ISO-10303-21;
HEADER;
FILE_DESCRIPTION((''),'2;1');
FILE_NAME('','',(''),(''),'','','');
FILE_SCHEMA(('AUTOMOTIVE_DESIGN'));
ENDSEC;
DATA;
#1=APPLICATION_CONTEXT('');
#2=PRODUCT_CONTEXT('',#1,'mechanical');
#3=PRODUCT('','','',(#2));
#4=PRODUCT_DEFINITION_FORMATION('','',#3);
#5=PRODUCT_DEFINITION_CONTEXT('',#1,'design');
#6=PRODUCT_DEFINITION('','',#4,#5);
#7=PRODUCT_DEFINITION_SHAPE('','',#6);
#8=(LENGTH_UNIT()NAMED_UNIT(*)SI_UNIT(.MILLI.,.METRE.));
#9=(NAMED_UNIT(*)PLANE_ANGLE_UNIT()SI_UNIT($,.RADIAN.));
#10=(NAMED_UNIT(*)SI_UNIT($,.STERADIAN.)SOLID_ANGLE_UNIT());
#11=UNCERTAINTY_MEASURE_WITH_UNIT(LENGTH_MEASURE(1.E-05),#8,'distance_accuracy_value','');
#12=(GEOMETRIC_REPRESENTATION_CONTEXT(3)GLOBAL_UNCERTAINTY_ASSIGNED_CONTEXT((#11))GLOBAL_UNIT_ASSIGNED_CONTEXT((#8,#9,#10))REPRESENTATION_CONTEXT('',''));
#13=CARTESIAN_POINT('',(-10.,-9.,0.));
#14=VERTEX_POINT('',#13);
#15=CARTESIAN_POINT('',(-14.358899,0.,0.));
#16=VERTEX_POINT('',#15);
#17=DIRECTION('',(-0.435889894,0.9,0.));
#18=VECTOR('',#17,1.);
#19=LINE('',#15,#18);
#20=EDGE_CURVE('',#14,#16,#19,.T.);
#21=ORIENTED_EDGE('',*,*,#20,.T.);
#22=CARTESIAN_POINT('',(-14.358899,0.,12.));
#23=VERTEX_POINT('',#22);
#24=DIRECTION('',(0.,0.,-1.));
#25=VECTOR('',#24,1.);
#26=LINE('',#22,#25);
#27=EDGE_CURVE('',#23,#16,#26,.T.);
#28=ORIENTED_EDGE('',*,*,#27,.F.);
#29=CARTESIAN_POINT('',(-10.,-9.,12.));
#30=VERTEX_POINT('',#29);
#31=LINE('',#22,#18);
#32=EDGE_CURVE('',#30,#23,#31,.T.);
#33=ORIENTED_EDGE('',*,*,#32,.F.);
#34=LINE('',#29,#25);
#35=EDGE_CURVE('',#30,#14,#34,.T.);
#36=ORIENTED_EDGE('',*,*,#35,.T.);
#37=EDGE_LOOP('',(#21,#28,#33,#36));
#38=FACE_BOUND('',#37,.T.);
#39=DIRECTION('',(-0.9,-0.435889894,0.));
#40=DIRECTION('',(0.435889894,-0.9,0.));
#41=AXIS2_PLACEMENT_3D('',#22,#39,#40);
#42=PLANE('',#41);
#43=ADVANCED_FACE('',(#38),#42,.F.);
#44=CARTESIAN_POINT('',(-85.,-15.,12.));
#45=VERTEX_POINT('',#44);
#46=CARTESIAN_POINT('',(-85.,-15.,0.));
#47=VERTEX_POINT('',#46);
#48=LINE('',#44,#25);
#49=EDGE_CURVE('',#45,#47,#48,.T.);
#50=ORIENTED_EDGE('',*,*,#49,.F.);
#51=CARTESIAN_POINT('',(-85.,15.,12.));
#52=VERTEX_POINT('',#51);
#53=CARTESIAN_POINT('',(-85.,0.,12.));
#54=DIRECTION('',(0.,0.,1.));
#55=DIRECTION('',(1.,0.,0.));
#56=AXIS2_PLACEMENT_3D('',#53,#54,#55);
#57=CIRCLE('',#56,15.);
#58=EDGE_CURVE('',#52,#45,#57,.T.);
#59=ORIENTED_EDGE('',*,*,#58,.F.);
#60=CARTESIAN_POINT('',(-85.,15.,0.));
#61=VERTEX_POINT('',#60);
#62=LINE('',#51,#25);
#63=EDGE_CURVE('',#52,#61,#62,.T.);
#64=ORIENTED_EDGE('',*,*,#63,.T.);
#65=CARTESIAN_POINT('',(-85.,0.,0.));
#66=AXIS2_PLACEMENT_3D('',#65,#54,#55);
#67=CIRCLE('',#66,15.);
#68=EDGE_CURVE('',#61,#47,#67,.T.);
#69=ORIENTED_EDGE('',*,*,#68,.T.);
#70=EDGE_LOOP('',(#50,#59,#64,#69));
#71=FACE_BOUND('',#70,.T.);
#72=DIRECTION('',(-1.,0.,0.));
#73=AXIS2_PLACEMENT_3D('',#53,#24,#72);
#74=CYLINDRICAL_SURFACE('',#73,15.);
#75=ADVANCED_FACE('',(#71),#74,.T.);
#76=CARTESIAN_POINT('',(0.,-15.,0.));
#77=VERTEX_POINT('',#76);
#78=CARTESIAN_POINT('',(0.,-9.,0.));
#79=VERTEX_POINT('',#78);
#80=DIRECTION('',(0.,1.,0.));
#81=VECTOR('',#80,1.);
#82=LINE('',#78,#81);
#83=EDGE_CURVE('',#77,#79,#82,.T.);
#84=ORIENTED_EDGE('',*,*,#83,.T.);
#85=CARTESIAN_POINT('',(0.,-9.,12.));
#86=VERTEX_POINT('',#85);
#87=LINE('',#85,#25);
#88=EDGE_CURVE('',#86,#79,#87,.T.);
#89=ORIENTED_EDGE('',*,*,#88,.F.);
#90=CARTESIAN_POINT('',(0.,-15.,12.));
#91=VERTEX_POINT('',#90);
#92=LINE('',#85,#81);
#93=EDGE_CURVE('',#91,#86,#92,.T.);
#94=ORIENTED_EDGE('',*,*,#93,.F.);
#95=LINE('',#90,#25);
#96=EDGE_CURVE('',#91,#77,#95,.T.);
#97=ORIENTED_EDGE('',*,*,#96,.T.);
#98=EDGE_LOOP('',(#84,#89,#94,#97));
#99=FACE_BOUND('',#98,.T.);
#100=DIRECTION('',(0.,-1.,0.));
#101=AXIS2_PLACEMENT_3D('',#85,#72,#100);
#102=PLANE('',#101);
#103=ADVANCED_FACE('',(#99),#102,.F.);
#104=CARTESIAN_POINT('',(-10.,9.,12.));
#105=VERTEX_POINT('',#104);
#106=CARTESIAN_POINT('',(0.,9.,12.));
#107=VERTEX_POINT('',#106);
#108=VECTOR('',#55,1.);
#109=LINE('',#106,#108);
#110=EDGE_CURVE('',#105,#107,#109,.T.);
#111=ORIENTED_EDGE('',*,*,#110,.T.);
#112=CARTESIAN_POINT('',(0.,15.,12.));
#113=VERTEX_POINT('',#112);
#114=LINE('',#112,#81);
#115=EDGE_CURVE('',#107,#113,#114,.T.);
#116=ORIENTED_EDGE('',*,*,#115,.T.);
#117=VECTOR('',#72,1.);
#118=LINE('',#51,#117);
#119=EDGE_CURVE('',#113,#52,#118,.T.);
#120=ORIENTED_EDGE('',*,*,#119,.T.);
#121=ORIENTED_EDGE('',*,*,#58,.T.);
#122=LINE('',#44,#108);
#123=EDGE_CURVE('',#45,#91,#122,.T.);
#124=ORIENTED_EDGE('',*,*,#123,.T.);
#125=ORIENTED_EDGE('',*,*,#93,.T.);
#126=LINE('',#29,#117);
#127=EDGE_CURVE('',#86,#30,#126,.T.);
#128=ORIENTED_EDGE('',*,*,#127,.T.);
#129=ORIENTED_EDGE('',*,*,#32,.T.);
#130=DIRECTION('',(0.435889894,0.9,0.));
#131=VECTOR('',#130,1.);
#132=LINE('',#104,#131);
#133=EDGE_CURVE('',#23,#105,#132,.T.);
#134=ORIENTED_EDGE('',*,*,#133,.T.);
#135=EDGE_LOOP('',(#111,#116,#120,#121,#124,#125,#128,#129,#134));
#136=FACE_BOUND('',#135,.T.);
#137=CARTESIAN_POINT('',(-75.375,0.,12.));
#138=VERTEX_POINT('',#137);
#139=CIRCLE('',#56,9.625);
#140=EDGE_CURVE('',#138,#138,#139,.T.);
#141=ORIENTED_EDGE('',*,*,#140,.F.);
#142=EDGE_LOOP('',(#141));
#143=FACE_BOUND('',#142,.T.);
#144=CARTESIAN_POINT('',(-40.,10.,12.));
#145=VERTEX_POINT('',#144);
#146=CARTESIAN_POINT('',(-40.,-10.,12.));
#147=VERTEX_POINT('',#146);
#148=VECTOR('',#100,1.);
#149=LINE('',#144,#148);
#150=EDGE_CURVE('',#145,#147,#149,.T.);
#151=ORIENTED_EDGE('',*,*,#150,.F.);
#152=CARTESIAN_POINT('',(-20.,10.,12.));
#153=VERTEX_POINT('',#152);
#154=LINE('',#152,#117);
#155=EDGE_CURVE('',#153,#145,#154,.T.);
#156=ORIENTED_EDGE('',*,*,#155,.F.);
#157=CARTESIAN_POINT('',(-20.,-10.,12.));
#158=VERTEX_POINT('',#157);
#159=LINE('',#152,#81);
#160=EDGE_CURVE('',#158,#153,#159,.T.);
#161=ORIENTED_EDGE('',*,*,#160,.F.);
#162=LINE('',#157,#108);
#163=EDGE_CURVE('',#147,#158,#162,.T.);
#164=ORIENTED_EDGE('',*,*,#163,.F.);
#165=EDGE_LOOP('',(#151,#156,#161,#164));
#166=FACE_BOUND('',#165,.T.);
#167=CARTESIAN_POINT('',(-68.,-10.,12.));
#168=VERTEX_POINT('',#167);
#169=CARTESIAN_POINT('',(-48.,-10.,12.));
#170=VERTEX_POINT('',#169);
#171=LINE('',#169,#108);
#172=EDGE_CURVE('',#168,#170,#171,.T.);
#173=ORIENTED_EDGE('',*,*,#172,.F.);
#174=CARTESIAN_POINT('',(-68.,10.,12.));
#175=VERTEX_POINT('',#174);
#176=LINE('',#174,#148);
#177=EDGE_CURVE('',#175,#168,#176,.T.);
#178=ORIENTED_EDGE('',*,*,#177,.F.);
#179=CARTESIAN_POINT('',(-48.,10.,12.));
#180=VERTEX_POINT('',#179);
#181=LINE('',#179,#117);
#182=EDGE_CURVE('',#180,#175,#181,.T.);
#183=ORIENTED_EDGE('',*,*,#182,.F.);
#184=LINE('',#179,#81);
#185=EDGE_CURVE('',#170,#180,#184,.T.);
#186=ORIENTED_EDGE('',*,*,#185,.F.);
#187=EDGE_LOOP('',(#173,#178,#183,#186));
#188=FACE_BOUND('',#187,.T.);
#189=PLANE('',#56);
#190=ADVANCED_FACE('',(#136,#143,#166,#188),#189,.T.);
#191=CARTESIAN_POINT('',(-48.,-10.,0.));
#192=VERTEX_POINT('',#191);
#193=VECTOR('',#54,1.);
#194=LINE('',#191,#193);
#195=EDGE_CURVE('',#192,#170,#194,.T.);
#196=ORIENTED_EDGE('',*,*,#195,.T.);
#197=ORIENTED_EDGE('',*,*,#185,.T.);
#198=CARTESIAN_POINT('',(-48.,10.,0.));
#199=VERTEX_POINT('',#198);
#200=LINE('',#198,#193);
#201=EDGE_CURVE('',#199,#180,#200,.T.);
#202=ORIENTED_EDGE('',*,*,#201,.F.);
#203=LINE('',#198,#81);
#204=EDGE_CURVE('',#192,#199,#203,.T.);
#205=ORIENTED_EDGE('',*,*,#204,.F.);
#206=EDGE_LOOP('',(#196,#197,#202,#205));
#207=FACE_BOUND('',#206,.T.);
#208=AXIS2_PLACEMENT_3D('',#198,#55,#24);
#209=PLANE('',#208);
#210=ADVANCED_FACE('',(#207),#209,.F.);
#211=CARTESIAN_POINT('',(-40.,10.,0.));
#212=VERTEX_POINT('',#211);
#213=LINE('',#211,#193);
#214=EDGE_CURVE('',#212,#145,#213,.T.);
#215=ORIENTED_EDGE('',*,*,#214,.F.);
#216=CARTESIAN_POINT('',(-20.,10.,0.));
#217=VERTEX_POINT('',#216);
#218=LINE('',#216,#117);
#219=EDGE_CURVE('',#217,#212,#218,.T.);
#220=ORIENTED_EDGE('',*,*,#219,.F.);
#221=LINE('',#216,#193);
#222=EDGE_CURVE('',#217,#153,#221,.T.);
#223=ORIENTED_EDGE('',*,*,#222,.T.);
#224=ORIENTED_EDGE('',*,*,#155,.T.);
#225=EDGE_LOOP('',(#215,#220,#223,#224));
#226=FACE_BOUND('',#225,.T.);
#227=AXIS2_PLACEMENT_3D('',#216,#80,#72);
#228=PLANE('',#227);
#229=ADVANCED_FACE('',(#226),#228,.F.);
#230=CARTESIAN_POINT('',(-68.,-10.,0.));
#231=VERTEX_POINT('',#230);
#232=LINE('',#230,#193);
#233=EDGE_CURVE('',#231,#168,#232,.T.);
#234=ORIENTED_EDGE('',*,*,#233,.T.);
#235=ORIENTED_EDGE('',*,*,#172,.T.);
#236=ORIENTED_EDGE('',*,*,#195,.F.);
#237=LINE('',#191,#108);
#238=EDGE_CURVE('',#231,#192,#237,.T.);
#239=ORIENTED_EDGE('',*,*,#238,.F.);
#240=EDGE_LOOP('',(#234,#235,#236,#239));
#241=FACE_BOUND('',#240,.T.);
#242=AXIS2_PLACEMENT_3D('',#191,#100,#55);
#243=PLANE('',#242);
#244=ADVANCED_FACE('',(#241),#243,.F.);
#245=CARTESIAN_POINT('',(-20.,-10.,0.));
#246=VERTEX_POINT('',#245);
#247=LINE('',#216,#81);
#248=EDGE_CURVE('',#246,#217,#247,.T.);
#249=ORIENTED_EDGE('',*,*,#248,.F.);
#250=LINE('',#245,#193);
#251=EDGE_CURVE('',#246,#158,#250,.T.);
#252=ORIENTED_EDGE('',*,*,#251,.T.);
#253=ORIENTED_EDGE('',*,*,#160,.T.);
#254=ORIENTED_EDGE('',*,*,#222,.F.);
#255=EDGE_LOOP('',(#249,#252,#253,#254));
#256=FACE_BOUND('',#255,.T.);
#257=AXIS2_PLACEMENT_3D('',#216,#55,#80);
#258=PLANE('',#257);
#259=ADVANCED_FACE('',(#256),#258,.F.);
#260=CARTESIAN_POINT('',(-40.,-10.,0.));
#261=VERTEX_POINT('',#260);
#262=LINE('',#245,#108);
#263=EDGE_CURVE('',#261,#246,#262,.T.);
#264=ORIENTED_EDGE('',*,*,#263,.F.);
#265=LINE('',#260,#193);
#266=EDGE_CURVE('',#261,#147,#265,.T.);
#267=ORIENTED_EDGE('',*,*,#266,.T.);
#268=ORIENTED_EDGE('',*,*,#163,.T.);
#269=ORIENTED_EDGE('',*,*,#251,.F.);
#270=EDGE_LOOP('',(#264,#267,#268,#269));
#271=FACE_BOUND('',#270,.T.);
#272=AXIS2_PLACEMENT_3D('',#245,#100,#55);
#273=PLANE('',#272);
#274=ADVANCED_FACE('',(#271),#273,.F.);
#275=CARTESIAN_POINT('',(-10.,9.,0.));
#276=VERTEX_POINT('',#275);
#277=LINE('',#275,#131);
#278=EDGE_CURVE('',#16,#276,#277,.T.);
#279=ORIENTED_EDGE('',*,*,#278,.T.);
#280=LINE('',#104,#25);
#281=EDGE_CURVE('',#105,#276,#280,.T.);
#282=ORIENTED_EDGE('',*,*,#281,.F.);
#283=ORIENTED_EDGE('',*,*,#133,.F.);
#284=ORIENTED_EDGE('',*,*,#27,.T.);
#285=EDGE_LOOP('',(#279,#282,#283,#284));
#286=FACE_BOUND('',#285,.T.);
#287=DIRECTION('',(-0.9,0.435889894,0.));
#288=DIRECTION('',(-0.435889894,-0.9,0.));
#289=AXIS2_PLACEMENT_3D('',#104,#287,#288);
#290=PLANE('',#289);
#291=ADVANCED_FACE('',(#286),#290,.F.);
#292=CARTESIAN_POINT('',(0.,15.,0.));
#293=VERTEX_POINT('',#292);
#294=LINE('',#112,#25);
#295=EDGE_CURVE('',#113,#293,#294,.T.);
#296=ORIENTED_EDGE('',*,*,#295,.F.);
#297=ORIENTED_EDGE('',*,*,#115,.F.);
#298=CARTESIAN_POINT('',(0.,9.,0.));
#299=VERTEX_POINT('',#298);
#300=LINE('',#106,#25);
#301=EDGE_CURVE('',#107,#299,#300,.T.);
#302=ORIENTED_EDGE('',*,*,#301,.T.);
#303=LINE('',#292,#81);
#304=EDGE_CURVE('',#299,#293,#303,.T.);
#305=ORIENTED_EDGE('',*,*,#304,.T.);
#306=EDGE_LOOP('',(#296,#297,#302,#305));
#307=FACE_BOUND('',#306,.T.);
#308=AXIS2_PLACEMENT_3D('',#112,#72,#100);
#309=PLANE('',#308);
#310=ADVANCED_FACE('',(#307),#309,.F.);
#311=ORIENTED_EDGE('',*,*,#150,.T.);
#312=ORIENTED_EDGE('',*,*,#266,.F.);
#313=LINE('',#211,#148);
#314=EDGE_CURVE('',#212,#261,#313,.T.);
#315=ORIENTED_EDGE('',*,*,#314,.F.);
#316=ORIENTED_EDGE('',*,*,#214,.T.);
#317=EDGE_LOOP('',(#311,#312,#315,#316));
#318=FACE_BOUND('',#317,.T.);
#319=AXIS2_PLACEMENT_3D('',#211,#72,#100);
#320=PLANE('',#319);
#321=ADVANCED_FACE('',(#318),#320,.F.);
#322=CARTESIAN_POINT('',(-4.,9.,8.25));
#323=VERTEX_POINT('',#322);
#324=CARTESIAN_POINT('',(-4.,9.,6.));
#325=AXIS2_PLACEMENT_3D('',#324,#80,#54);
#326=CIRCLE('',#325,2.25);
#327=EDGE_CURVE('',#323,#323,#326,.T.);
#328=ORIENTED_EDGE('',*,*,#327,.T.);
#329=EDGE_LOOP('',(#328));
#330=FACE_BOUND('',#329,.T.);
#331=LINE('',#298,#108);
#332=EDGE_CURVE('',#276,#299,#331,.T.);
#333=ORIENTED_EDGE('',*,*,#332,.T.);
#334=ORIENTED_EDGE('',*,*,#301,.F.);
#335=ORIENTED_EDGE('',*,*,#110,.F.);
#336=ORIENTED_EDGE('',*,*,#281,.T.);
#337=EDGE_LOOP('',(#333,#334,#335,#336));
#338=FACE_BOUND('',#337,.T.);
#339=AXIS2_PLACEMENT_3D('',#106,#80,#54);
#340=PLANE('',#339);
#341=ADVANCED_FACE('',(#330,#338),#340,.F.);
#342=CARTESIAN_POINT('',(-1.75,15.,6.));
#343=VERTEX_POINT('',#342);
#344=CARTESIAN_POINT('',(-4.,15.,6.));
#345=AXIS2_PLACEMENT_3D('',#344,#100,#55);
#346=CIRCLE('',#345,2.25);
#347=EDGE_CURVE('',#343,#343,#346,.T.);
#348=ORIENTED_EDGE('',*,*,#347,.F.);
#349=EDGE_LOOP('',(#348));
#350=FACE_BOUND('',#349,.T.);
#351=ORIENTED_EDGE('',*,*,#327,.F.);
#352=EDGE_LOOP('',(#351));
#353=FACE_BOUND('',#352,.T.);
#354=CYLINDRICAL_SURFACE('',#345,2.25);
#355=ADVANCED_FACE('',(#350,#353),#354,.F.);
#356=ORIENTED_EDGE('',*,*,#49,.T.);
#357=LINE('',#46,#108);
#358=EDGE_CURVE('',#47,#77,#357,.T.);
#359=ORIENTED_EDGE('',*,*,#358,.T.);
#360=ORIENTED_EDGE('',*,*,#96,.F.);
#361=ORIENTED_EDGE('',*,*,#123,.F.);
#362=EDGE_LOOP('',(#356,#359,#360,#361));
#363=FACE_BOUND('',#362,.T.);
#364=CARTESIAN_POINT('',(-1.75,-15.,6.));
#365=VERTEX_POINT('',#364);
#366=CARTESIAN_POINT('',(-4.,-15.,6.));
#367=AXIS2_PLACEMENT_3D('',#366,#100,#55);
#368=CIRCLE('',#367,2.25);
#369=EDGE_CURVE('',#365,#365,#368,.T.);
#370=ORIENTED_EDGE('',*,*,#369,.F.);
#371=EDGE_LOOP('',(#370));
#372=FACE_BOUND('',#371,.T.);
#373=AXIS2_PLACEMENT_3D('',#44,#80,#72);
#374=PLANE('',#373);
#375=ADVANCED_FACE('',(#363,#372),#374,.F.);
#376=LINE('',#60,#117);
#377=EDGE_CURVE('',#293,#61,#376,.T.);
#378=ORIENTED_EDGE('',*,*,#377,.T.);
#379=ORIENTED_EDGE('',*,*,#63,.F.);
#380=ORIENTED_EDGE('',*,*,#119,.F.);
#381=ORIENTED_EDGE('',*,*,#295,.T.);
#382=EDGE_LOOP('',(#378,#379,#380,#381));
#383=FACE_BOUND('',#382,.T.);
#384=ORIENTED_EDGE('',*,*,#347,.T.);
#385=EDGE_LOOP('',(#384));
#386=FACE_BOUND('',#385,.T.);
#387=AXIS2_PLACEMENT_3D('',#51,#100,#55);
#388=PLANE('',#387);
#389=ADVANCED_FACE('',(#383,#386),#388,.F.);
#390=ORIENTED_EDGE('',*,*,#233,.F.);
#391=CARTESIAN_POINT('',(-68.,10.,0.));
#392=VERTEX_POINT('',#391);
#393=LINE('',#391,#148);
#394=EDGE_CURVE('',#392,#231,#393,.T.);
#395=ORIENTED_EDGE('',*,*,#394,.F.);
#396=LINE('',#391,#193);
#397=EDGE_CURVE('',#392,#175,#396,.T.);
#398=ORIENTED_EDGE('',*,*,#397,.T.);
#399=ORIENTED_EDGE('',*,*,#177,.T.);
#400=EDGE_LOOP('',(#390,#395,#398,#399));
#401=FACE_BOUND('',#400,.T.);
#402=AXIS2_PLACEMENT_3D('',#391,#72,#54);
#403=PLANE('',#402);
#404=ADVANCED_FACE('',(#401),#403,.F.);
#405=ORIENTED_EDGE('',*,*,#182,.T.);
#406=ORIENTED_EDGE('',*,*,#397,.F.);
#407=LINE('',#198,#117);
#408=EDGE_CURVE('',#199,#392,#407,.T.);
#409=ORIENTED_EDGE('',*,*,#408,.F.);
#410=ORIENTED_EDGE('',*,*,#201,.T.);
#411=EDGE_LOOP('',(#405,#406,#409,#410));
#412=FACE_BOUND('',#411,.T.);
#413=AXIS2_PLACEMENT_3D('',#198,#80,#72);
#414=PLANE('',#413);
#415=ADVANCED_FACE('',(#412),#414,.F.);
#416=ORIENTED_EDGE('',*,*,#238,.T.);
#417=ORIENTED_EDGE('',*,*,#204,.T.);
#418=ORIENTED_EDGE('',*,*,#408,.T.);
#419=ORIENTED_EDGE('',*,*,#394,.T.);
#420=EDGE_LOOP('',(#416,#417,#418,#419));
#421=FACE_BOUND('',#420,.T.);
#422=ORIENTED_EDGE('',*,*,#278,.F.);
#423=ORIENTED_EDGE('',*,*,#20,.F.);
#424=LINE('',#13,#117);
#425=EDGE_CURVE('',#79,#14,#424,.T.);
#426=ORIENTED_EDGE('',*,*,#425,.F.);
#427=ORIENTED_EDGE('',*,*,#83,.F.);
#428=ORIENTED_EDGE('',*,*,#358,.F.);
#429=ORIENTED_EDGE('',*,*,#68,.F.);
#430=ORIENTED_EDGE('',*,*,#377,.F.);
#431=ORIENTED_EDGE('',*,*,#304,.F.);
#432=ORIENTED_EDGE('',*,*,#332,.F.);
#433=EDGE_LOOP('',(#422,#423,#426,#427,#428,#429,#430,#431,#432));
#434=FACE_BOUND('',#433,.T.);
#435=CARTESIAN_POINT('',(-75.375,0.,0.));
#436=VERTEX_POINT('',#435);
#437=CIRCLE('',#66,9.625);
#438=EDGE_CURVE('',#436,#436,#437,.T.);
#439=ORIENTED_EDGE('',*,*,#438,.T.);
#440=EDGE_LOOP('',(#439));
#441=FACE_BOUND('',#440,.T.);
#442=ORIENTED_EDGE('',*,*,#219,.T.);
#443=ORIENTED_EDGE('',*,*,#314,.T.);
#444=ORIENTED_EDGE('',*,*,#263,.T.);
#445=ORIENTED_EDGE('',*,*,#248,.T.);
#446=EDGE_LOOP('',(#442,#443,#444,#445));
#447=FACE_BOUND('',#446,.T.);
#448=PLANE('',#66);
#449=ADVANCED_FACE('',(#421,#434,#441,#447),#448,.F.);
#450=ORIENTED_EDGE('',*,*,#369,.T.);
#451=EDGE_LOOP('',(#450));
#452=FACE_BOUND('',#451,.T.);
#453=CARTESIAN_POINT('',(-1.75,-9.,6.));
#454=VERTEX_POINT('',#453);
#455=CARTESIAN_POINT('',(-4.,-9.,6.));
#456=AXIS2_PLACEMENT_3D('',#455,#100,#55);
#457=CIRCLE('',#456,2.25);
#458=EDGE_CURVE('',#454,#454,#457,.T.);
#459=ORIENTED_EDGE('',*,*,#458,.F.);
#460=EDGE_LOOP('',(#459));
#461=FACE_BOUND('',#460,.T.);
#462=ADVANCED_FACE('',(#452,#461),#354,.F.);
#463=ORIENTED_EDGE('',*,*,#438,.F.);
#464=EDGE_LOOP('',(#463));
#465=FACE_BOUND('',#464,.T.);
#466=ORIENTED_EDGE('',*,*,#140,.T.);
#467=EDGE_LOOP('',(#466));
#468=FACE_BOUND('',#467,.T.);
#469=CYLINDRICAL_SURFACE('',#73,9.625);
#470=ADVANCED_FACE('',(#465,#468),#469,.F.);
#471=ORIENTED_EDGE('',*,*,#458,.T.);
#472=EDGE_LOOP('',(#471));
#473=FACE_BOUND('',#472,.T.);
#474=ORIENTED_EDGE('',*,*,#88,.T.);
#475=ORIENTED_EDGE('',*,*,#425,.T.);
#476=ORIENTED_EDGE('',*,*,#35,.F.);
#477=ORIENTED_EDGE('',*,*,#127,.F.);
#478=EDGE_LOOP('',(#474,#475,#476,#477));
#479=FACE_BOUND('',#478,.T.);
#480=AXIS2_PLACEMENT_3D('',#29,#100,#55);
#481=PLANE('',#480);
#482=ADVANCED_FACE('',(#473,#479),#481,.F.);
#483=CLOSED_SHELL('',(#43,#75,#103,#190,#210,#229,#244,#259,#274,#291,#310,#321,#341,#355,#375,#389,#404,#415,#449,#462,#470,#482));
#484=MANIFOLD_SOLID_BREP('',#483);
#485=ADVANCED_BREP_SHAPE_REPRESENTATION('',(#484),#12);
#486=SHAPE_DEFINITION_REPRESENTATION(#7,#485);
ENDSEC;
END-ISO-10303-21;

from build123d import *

# Parameters (mm, degrees)
SKETCH1_R           = 9.625
BOSS_EXTRUDE1_DEPTH = 12
SKETCH2_R           = 2.25
CUT_EXTRUDE1_DEPTH  = 106.090437243
SKETCH3_W           = 20
SKETCH3_H           = 20
CUT_EXTRUDE2_DEPTH  = 102.828286836


with BuildPart() as part:
    # Sketch1 → Boss-Extrude1 (new body)
    with BuildSketch(Plane.XY):
        with BuildLine():
            Line((-85, 15), (0, 15))
            Line((0, 15), (0, 9))
            Line((0, 9), (-10, 9))
            Line((-10, 9), (-14.358898944, 0))
            Line((-14.358898944, 0), (-10, -9))
            Line((-10, -9), (0, -9))
            Line((0, -9), (0, -15))
            Line((0, -15), (-85, -15))
            ThreePointArc((-85, -15), (-100, 0), (-85, 15))
        make_face()
        with Locations((-85, 0)):
            Circle(SKETCH1_R, mode=Mode.SUBTRACT)
    extrude(amount=BOSS_EXTRUDE1_DEPTH)

    # Sketch2 → Cut-Extrude1 (cut, through all)
    with BuildSketch(Plane.XZ.offset(15)):
        with Locations((-4, 6)):
            Circle(SKETCH2_R)
    extrude(amount=-CUT_EXTRUDE1_DEPTH, mode=Mode.SUBTRACT)

    # Sketch3 → Cut-Extrude2 (cut, through all)
    with BuildSketch(Plane.XY.offset(12)):
        with Locations((-30, 0)):
            Rectangle(SKETCH3_W, SKETCH3_H)
        with Locations((-58, 0)):
            Rectangle(SKETCH3_W, SKETCH3_H)
    extrude(amount=-CUT_EXTRUDE2_DEPTH, mode=Mode.SUBTRACT)


solid = part.part
